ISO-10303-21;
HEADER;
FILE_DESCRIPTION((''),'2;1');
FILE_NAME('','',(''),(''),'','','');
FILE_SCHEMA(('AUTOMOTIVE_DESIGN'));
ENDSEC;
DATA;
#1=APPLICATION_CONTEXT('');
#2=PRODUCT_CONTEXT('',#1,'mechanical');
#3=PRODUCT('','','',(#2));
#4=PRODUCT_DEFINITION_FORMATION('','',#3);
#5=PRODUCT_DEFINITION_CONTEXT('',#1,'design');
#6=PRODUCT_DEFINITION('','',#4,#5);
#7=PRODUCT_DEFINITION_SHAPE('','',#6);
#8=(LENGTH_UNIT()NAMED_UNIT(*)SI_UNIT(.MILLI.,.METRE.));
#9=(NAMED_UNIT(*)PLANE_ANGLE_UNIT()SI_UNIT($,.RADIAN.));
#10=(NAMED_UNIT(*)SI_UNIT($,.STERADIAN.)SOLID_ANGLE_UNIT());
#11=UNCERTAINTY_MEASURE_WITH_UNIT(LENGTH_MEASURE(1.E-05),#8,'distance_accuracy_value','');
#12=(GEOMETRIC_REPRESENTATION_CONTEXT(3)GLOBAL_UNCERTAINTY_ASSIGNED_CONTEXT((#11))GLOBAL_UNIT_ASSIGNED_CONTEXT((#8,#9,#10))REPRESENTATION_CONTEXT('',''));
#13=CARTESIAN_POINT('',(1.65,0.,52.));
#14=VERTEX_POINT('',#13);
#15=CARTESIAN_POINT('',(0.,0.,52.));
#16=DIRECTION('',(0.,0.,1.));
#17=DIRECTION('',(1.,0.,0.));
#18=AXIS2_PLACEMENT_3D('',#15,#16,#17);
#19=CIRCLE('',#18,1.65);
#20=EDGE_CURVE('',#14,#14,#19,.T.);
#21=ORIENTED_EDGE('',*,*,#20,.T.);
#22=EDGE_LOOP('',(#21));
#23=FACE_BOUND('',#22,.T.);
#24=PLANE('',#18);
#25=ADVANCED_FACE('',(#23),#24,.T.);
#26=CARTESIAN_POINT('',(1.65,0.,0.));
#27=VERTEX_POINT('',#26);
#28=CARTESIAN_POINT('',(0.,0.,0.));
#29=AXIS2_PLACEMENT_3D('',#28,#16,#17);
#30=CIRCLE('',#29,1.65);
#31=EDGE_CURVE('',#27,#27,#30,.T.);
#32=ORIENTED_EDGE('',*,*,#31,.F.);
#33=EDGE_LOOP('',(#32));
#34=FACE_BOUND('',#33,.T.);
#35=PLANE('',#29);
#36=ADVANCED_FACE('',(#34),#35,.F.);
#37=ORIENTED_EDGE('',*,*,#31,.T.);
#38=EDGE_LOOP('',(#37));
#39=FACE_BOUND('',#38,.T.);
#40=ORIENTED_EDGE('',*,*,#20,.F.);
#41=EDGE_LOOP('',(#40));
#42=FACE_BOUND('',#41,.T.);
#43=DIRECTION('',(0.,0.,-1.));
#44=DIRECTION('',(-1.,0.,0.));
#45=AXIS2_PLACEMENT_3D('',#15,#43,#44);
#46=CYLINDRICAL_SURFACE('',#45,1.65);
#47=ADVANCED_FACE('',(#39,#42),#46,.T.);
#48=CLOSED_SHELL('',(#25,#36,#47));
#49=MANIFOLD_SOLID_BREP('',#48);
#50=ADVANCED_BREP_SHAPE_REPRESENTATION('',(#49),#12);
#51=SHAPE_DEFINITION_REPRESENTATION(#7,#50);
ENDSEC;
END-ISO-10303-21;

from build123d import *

# Parameters (mm, degrees)
SKICA1_R                = 1.65
P_IDAT_VYSUNUT_M1_DEPTH = 52


with BuildPart() as part:
    # Skica1 → Přidat vysunutím1 (new body)
    with BuildSketch(Plane.XY):
        Circle(SKICA1_R)
    extrude(amount=P_IDAT_VYSUNUT_M1_DEPTH)


solid = part.part
